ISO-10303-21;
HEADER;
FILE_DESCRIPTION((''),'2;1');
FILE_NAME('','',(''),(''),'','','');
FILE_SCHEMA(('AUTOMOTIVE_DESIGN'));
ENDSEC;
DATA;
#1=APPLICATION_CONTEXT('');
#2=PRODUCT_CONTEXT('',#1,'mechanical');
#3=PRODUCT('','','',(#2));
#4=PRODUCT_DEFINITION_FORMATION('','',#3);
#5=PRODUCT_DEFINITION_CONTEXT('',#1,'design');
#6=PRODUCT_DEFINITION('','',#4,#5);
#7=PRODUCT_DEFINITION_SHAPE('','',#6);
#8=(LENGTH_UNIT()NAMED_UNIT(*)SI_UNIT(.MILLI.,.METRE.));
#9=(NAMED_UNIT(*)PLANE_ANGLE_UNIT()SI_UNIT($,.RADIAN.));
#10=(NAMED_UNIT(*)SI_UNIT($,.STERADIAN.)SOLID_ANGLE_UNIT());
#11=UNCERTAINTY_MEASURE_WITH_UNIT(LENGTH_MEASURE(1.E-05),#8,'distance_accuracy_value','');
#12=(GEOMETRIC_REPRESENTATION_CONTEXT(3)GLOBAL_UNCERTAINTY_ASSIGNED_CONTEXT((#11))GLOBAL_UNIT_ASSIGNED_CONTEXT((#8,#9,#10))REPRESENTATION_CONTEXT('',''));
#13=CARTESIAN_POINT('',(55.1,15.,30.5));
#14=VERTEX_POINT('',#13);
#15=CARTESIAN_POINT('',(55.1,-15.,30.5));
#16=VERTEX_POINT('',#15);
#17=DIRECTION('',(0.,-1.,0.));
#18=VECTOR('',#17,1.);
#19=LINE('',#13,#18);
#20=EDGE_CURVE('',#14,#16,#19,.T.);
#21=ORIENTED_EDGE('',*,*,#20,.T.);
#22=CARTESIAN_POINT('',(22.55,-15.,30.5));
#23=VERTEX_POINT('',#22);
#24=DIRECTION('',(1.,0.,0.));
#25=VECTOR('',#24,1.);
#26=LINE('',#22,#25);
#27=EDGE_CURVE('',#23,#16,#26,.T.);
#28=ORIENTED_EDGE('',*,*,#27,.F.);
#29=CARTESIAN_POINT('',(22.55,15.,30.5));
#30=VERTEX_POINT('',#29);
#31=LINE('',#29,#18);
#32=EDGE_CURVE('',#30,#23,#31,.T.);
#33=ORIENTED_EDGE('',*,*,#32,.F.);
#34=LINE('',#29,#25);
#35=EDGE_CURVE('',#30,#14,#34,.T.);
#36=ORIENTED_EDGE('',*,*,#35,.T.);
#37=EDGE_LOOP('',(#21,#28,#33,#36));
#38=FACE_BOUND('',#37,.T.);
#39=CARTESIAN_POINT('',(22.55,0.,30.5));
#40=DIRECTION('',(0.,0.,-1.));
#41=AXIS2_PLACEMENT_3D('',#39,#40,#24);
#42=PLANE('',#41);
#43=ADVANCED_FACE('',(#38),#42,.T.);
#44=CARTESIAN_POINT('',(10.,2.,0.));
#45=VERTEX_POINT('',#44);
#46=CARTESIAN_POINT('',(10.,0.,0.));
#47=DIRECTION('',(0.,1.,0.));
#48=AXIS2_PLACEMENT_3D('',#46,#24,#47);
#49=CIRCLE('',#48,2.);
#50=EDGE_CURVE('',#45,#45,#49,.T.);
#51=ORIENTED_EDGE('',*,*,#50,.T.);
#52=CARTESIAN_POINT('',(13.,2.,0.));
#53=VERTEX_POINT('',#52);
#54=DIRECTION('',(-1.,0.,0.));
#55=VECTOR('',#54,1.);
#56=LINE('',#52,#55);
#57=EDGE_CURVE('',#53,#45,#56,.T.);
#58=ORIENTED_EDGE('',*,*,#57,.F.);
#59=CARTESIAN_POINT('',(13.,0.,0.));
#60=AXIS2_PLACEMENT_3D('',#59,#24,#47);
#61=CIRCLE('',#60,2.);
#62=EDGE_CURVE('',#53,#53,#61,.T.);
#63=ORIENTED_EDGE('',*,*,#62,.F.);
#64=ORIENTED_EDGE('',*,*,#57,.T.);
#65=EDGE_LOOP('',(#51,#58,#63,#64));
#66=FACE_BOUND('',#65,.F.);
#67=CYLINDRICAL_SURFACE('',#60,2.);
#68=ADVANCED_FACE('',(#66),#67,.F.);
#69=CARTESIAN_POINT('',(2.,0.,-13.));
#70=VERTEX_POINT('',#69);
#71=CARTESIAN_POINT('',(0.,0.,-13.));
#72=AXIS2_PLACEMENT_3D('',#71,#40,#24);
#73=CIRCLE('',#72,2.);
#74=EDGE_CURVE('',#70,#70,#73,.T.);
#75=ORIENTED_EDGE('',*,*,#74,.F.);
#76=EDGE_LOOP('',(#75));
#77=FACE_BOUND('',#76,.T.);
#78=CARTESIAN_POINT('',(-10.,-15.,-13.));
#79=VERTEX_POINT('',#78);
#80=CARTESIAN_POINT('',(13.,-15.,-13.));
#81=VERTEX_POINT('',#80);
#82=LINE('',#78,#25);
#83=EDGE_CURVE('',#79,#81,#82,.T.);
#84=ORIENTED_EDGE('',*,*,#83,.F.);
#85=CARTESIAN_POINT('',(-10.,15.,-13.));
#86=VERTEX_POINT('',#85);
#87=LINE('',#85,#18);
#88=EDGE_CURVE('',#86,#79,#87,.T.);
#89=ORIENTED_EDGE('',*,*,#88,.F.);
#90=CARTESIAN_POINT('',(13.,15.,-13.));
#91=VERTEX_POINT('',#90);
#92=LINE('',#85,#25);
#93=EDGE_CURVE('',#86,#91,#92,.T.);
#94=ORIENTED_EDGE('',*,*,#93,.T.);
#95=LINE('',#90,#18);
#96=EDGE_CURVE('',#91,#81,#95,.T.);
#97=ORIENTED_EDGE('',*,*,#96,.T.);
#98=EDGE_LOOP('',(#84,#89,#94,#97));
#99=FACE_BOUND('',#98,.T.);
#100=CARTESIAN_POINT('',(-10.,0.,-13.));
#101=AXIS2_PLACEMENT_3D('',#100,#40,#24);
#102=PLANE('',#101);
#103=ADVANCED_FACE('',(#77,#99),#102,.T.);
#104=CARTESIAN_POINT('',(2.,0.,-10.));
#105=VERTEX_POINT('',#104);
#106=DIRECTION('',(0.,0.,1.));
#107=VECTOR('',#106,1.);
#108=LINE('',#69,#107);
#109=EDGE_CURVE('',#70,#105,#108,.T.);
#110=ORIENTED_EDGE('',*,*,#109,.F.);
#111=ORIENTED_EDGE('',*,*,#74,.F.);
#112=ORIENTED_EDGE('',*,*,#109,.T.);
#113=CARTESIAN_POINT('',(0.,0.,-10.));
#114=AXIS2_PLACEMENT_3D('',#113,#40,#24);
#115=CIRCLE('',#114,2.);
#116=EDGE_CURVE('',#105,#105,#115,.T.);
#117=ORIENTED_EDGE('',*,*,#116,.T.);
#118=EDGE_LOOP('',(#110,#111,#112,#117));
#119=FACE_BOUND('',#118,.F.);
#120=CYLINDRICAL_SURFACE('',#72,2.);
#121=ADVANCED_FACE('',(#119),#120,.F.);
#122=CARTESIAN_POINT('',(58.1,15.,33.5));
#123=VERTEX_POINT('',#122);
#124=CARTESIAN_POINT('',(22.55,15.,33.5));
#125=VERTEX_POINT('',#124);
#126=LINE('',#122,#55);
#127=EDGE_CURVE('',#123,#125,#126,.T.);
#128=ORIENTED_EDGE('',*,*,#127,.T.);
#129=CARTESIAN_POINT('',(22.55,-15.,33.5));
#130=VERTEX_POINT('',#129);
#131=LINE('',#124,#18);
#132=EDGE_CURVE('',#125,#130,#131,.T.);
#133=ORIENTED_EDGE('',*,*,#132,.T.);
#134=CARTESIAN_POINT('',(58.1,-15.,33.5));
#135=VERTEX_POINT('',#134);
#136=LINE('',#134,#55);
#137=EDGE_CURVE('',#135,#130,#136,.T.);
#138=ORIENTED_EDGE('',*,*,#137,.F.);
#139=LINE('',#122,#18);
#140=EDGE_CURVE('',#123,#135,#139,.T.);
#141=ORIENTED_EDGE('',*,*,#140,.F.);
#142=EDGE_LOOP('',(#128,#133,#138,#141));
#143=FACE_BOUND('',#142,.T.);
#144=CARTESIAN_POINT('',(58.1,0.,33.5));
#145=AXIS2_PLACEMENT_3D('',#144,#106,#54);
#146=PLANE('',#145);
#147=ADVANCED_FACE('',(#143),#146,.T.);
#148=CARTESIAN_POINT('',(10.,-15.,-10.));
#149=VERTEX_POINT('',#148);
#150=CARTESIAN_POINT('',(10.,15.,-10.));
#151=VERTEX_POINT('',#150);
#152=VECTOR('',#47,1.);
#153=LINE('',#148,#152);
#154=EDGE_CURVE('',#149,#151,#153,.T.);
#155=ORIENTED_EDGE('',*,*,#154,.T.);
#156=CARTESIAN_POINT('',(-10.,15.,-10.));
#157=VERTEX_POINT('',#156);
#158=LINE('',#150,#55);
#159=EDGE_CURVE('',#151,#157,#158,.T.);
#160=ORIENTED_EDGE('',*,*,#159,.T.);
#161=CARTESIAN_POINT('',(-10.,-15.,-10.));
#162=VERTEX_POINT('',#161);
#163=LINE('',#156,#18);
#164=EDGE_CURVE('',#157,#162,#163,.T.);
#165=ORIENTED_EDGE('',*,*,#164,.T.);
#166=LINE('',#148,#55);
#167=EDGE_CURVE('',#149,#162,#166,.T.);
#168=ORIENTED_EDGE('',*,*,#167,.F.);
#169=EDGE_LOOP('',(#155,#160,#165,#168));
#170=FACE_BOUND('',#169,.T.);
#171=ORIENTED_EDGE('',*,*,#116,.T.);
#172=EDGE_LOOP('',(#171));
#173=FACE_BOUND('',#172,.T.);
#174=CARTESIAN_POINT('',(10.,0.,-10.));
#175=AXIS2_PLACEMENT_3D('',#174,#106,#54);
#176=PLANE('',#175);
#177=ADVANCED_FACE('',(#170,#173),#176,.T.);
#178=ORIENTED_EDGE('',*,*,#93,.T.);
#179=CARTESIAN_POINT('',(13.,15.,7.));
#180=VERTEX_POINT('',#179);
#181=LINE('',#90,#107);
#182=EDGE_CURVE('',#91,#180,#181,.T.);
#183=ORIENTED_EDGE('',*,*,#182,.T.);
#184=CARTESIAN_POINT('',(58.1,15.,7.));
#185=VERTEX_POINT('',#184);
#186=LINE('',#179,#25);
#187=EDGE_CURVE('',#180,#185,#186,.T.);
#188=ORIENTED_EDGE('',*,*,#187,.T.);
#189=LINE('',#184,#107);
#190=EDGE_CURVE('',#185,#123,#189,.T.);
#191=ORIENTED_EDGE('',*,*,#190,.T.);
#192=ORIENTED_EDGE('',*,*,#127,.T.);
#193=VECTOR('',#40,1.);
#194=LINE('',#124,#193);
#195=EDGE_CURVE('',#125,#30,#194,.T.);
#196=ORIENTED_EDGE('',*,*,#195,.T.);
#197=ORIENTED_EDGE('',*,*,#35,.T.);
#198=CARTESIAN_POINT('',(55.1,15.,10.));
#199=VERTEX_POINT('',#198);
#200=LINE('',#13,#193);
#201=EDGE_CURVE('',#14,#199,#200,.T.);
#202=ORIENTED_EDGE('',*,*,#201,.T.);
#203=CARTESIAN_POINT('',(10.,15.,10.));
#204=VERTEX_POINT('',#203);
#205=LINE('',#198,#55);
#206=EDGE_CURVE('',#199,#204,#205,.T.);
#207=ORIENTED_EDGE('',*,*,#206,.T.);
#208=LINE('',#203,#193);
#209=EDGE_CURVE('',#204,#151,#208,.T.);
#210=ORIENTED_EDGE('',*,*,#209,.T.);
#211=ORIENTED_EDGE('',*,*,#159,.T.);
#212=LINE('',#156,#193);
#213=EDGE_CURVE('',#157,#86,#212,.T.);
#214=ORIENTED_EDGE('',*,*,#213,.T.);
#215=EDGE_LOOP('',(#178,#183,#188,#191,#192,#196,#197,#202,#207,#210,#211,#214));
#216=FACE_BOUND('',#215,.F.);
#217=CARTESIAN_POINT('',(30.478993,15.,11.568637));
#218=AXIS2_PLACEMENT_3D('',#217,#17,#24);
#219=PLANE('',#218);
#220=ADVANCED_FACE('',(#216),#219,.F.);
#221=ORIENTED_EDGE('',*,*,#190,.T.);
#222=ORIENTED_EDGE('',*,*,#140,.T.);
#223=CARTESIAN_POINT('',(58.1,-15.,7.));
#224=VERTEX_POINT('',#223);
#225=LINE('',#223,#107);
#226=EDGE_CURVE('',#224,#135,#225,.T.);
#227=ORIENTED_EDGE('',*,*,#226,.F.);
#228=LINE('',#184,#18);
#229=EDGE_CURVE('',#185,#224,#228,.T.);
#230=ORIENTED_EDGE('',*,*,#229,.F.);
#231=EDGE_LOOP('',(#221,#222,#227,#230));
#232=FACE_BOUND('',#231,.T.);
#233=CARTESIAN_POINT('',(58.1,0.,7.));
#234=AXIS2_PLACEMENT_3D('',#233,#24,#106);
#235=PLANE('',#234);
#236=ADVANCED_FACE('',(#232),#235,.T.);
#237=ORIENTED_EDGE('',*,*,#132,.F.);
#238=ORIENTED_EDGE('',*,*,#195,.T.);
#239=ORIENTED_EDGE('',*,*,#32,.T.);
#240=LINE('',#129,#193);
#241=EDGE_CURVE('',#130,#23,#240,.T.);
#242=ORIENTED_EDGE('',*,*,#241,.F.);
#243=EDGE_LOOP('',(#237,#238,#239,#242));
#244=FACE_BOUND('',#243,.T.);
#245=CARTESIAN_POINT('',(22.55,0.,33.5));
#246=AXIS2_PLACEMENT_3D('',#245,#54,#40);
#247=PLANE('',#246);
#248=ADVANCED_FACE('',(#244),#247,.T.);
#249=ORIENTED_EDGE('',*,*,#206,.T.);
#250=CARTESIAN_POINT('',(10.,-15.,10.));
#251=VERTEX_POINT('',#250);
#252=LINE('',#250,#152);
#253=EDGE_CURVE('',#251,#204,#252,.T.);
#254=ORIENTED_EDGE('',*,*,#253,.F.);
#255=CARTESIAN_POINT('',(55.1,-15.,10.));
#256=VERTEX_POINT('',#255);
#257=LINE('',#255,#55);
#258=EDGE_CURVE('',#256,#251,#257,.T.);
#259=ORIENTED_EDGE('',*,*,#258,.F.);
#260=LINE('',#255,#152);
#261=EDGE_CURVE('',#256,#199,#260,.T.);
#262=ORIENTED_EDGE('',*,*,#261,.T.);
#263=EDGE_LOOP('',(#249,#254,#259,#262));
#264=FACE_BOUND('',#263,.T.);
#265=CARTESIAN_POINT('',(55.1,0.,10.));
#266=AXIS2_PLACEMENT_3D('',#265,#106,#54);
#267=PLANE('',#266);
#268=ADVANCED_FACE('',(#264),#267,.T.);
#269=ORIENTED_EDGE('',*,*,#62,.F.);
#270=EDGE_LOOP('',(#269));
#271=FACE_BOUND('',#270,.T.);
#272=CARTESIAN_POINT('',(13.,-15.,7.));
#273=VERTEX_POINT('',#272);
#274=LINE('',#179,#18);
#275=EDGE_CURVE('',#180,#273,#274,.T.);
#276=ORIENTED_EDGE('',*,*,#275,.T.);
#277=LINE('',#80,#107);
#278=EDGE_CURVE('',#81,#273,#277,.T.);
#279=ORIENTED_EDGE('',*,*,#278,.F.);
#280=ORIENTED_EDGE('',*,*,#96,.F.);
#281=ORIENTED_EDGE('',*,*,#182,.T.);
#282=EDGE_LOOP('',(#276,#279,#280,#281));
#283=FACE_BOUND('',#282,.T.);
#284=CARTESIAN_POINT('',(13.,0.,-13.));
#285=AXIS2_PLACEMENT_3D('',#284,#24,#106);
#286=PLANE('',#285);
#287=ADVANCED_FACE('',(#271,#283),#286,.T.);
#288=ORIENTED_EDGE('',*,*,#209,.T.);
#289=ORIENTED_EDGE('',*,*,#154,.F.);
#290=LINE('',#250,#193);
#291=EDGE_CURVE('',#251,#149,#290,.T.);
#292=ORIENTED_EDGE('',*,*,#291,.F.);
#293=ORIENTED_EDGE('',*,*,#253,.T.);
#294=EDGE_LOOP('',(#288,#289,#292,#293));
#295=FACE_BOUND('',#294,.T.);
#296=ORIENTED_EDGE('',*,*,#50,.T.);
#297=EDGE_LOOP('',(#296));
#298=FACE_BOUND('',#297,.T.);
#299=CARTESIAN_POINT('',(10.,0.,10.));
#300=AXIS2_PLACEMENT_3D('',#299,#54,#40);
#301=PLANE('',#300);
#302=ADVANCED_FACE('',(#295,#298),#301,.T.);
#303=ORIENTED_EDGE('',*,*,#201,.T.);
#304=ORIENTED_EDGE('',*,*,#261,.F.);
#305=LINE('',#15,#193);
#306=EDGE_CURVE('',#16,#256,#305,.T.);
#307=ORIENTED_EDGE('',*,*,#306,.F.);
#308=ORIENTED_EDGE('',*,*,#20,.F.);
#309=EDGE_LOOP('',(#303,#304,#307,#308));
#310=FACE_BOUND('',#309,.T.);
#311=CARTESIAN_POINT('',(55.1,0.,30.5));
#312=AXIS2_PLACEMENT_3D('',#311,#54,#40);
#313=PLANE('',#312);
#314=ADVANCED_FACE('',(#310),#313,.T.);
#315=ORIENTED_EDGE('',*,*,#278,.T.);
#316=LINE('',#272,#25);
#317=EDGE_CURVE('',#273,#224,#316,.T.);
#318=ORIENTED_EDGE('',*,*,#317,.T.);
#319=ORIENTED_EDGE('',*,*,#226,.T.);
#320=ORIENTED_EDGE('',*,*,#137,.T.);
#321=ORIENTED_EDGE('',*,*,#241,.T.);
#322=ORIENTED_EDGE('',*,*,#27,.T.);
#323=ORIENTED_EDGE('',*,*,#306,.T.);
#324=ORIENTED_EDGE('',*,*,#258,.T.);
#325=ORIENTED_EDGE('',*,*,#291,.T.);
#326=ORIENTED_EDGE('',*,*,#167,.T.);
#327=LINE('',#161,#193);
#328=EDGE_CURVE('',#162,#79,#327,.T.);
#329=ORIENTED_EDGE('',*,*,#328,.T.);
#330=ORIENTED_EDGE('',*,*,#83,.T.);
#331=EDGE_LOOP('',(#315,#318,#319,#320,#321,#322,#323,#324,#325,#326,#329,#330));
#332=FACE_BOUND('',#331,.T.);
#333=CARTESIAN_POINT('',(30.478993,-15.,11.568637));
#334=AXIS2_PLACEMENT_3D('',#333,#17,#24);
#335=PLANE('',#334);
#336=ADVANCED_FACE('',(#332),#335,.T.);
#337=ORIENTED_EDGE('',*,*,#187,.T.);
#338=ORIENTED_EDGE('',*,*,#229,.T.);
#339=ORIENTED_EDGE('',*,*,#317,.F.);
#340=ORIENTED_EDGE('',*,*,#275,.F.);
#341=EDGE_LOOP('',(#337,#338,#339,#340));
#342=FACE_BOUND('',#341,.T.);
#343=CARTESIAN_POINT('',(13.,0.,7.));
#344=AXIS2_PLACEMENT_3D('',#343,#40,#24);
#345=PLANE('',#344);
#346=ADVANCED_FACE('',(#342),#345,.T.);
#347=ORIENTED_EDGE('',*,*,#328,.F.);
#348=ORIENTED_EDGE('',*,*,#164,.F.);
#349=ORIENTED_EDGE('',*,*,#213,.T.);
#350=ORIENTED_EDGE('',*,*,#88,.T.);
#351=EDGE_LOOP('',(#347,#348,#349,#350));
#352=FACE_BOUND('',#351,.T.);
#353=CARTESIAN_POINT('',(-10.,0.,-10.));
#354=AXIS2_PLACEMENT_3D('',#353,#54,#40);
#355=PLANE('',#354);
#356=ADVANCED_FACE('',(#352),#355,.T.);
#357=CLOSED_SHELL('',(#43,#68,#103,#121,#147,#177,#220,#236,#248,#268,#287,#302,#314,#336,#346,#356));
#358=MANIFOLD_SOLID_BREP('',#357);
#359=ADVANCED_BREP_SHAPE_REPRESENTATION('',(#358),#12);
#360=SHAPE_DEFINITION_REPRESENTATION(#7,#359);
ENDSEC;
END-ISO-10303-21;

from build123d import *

# Parameters (mm, degrees)
F1_DEPTH      = 15
F1_DEPTH_BACK = 15
F2_R          = 2
F3_DEPTH      = 5
F3_DEPTH_BACK = 5
F4_R          = 2
F5_DEPTH      = 5
F5_DEPTH_BACK = 5


with BuildPart() as f1:
    # F0 (on Front) → F1 (new body, two sides)
    with BuildSketch(Plane.XZ) as f1_sk:
        Polygon((10, -10), (-10, -10), (-10, -13), (13, -13), (13, 7), (58.1, 7), (58.1, 33.5), (22.55, 33.5), (22.55, 30.5), (55.1, 30.5), (55.1, 10), (10, 10), align=None)
    extrude(amount=F1_DEPTH)
    extrude(f1_sk.sketch, amount=-F1_DEPTH_BACK)

    # F2 (on face) → F3 (cut, two sides)
    with BuildSketch(Plane.YZ.offset(13)) as f3_sk:
        Circle(F2_R)
    extrude(amount=-F3_DEPTH, mode=Mode.SUBTRACT)
    extrude(f3_sk.sketch, amount=-F3_DEPTH_BACK, mode=Mode.SUBTRACT)

    # F4 (on face) → F5 (cut, two sides)
    with BuildSketch(Plane(origin=(0, 0, -13), x_dir=(1, 0, 0), z_dir=(0, 0, -1))) as f5_sk:
        Circle(F4_R)
    extrude(amount=-F5_DEPTH, mode=Mode.SUBTRACT)
    extrude(f5_sk.sketch, amount=-F5_DEPTH_BACK, mode=Mode.SUBTRACT)


solid = f1.part
